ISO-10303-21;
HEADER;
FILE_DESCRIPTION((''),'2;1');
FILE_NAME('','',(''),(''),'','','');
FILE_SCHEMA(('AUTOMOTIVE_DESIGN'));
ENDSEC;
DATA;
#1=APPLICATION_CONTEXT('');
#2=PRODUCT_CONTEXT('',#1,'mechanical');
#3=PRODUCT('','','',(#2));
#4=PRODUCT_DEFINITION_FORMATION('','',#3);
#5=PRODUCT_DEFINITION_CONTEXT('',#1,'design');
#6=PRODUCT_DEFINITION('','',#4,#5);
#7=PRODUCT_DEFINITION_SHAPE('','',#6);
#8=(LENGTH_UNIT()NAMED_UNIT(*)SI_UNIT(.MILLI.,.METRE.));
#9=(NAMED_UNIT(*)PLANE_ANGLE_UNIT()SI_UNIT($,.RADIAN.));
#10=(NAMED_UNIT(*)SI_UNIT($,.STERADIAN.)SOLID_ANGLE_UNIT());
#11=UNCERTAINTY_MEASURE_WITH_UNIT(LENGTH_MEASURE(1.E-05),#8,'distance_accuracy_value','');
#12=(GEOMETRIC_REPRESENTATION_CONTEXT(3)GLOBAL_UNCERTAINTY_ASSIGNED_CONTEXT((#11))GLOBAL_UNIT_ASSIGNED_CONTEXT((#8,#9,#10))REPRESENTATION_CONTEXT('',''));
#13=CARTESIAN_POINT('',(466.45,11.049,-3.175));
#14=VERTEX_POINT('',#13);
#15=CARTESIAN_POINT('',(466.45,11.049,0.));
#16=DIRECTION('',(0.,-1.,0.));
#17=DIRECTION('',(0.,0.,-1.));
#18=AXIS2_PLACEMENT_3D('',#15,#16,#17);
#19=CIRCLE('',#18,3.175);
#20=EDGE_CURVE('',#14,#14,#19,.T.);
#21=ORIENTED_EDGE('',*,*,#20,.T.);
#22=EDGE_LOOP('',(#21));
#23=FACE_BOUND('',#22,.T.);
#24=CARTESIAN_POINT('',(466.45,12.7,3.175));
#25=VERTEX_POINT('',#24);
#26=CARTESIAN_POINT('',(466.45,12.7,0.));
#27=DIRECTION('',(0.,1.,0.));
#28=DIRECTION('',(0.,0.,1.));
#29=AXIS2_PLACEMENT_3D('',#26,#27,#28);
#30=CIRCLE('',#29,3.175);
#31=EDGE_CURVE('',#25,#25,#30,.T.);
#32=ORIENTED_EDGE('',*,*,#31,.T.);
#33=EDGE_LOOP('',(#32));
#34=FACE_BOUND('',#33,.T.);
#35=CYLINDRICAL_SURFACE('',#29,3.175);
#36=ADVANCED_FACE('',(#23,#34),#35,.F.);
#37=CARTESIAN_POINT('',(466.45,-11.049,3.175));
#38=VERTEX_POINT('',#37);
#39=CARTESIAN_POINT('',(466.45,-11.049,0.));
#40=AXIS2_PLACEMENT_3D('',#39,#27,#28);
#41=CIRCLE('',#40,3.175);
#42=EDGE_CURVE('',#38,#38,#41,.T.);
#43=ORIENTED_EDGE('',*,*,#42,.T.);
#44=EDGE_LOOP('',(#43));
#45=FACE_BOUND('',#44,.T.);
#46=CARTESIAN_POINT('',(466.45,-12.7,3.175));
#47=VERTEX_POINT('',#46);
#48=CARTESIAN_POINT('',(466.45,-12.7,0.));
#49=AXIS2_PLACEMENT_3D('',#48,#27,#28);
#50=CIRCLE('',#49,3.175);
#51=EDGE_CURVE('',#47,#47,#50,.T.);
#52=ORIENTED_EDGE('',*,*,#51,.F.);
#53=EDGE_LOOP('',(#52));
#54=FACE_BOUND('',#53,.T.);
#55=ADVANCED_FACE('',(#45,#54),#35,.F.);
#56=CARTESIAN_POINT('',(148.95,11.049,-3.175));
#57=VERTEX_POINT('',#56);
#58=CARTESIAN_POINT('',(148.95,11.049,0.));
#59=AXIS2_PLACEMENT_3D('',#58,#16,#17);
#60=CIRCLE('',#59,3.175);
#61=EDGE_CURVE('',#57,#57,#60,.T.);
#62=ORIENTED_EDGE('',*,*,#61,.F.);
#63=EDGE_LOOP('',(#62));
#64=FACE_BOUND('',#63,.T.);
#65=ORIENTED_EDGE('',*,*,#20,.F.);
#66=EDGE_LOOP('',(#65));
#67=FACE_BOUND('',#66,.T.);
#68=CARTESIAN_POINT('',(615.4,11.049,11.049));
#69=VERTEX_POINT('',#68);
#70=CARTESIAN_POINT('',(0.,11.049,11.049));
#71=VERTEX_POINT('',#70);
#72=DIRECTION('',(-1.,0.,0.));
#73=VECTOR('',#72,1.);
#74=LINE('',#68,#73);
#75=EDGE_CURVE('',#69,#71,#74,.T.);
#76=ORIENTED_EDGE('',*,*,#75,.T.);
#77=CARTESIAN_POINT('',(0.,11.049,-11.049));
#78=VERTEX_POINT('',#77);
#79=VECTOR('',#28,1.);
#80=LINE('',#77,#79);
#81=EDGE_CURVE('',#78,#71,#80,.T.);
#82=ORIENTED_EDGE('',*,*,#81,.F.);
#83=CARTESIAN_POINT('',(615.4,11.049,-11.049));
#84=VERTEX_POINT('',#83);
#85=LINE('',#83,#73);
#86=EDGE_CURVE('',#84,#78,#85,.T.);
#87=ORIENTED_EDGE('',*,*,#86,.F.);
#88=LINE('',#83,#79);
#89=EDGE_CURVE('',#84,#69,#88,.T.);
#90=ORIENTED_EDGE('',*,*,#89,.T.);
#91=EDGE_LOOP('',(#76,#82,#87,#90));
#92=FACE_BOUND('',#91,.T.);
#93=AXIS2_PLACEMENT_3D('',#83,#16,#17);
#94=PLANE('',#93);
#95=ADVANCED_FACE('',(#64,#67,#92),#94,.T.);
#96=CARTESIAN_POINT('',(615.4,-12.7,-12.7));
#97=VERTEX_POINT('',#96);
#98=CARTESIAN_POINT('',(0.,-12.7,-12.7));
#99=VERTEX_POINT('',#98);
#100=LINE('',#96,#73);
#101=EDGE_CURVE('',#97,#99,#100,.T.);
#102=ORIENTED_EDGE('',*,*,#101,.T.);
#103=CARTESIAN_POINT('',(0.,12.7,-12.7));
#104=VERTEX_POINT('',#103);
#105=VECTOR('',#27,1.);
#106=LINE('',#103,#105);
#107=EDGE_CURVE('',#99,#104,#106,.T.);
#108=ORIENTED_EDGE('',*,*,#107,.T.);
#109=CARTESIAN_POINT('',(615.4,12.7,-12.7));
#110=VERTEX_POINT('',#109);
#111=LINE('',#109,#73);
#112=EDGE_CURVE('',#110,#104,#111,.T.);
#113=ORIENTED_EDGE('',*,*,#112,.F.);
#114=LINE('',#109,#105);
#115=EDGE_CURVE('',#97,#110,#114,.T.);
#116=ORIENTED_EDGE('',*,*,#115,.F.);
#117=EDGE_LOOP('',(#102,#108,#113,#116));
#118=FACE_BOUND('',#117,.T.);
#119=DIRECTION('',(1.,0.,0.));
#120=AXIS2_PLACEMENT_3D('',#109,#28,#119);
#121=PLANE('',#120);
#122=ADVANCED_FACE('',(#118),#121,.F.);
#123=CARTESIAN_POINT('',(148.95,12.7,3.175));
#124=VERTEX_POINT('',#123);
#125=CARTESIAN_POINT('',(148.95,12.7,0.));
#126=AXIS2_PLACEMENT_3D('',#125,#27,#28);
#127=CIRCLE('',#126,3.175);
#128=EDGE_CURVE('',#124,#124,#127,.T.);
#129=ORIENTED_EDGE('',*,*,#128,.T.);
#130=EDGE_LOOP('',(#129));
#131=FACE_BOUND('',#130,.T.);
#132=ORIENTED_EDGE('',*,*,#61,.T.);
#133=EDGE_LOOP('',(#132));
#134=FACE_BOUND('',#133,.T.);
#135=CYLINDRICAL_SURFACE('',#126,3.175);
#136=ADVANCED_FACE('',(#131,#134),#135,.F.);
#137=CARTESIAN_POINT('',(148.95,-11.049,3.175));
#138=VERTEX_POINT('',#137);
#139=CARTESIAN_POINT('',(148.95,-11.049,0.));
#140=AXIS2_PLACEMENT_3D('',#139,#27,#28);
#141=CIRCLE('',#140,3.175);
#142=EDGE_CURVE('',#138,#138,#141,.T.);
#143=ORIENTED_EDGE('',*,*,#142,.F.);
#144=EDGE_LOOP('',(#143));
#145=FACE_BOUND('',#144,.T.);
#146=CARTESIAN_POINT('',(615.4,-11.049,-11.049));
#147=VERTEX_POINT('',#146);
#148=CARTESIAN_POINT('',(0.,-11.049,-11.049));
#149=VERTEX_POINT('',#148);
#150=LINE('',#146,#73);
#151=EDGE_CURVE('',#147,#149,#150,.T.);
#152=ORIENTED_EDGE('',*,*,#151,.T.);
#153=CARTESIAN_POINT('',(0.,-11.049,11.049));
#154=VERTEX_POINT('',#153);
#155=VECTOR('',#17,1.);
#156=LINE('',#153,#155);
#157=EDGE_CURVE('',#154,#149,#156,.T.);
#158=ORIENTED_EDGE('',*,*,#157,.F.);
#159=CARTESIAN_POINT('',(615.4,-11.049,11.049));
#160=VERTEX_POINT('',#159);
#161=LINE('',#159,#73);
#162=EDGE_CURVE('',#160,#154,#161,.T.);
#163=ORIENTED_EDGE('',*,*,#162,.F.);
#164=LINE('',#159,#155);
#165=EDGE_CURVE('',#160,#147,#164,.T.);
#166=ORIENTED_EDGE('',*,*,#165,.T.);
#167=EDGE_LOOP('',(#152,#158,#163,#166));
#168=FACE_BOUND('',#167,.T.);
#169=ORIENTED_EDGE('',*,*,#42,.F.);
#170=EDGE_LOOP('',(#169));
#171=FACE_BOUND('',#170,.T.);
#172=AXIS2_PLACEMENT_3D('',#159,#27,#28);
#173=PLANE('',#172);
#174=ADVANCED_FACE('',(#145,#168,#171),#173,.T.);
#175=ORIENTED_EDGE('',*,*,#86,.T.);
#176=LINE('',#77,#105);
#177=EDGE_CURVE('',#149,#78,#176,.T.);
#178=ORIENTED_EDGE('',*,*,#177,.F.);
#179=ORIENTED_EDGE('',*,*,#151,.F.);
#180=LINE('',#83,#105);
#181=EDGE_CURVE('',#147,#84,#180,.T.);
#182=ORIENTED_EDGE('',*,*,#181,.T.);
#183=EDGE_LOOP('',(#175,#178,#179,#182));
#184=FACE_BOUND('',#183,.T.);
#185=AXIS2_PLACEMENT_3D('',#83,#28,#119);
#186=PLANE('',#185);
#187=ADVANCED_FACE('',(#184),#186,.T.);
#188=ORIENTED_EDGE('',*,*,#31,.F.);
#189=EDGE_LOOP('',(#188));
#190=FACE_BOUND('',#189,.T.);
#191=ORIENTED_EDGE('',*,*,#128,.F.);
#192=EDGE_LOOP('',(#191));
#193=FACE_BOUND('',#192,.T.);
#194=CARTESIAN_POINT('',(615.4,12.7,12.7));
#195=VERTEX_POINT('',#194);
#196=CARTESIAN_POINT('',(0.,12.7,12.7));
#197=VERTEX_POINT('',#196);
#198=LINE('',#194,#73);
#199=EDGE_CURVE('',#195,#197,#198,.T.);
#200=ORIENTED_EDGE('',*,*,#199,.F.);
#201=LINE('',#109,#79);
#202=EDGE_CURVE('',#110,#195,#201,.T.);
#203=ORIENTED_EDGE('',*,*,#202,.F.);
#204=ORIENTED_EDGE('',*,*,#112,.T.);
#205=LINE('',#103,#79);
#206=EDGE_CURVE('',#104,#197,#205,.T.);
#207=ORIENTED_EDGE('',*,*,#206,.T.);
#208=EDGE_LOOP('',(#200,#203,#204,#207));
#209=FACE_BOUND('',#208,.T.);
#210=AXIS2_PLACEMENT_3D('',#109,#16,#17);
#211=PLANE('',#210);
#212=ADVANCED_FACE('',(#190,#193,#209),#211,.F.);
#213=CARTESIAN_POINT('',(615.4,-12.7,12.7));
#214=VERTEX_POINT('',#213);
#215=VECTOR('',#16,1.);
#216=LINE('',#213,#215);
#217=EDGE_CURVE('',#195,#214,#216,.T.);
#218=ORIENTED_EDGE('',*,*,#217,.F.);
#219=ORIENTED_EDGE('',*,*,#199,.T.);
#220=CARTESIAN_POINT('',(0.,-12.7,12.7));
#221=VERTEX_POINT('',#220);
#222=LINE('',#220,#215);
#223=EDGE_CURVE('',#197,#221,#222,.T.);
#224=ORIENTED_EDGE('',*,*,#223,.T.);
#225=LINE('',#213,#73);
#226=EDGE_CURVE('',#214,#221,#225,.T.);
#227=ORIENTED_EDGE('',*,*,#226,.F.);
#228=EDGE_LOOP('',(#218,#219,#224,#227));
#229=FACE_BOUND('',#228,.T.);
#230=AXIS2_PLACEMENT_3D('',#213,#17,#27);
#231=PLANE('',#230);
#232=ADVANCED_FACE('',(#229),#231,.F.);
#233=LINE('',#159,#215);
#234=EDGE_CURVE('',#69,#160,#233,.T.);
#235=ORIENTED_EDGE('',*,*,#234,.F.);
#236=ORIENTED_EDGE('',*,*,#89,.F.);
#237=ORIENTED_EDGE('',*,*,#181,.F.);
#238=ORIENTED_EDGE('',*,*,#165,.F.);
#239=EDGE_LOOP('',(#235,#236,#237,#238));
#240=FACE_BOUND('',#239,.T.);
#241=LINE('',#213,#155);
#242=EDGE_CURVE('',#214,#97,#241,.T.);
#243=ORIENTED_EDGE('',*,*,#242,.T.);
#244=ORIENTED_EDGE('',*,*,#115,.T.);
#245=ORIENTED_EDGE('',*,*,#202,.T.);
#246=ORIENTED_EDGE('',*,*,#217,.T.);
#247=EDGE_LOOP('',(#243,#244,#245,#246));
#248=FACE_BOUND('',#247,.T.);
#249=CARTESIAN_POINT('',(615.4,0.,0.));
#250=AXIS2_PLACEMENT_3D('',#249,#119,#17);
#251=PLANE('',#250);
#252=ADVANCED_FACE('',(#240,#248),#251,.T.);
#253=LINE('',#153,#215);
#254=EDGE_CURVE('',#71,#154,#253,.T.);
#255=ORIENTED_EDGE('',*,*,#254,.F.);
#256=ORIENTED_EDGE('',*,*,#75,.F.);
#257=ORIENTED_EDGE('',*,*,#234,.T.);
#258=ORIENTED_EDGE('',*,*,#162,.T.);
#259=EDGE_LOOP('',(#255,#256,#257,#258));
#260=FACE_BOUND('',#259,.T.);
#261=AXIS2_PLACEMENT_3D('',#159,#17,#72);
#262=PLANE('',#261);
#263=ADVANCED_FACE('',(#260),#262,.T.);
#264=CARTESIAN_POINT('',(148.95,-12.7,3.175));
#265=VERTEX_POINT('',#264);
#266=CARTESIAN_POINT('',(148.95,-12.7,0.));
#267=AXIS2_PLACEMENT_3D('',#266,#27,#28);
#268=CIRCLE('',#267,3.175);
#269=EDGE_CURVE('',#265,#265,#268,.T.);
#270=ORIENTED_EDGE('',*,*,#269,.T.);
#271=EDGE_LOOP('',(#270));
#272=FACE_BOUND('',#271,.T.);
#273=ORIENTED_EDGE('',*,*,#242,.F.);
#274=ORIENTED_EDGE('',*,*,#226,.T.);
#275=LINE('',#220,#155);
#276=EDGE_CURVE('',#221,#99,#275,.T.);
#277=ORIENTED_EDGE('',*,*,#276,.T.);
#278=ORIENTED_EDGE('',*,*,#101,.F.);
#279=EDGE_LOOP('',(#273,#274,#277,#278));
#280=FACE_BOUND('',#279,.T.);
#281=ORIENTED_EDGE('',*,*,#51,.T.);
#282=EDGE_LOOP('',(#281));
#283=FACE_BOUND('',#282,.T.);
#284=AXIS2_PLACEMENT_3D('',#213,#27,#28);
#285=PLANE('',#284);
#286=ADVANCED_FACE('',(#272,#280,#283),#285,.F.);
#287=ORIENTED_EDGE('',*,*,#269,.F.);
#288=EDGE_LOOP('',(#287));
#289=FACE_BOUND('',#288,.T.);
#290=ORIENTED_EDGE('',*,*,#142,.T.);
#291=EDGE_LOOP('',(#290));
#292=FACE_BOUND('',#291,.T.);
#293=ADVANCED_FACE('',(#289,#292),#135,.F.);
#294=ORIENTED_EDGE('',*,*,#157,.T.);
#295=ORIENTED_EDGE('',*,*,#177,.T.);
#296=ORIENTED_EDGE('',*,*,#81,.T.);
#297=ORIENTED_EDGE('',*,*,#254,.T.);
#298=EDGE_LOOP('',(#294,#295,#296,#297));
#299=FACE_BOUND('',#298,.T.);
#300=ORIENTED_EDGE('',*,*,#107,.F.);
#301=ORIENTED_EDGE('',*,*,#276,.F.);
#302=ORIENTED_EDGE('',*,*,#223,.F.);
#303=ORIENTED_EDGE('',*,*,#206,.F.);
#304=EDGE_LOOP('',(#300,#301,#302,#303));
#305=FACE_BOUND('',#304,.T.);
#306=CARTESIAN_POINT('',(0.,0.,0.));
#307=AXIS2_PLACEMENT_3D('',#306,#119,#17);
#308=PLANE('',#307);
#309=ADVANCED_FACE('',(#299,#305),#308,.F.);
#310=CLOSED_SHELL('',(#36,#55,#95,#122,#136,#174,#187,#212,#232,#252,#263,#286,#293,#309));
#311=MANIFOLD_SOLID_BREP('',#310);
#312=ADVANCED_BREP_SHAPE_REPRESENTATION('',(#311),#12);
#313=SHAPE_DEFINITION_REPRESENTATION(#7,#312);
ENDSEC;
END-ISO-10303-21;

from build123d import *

# Parameters (mm, degrees)
SKETCH16_W                                     = 25.4
SKETCH16_H                                     = 25.4
SKETCH16_W_2                                   = 22.098
SKETCH16_H_2                                   = 22.098
AL_TUBE_SQUARE_AL_TUBE_1_SQR_X_0_065_WAL_DEPTH = 615.4
F_1_4_0_25_DIAMETER_HOLE1_D                    = 6.35


with BuildPart() as part:
    # Sketch16 → Al tube square AL TUBE 1 SQR X 0.065 WALL(1) (new body)
    with BuildSketch(Plane(origin=(0, 0, 0), x_dir=(0, 0, -1), z_dir=(1, 0, 0))):
        Rectangle(SKETCH16_W, SKETCH16_H)
        Rectangle(SKETCH16_W_2, SKETCH16_H_2, mode=Mode.SUBTRACT)
    extrude(amount=AL_TUBE_SQUARE_AL_TUBE_1_SQR_X_0_065_WAL_DEPTH)

    # 1/4 (0.25) Diameter Hole1 (through all)
    with Locations(Plane(origin=(0, 12.7, 0), x_dir=(1, 0, 0), z_dir=(0, 1, 0))):
        with Locations((466.45, 0), (148.95, 0)):
            Hole(F_1_4_0_25_DIAMETER_HOLE1_D / 2)


solid = part.part
